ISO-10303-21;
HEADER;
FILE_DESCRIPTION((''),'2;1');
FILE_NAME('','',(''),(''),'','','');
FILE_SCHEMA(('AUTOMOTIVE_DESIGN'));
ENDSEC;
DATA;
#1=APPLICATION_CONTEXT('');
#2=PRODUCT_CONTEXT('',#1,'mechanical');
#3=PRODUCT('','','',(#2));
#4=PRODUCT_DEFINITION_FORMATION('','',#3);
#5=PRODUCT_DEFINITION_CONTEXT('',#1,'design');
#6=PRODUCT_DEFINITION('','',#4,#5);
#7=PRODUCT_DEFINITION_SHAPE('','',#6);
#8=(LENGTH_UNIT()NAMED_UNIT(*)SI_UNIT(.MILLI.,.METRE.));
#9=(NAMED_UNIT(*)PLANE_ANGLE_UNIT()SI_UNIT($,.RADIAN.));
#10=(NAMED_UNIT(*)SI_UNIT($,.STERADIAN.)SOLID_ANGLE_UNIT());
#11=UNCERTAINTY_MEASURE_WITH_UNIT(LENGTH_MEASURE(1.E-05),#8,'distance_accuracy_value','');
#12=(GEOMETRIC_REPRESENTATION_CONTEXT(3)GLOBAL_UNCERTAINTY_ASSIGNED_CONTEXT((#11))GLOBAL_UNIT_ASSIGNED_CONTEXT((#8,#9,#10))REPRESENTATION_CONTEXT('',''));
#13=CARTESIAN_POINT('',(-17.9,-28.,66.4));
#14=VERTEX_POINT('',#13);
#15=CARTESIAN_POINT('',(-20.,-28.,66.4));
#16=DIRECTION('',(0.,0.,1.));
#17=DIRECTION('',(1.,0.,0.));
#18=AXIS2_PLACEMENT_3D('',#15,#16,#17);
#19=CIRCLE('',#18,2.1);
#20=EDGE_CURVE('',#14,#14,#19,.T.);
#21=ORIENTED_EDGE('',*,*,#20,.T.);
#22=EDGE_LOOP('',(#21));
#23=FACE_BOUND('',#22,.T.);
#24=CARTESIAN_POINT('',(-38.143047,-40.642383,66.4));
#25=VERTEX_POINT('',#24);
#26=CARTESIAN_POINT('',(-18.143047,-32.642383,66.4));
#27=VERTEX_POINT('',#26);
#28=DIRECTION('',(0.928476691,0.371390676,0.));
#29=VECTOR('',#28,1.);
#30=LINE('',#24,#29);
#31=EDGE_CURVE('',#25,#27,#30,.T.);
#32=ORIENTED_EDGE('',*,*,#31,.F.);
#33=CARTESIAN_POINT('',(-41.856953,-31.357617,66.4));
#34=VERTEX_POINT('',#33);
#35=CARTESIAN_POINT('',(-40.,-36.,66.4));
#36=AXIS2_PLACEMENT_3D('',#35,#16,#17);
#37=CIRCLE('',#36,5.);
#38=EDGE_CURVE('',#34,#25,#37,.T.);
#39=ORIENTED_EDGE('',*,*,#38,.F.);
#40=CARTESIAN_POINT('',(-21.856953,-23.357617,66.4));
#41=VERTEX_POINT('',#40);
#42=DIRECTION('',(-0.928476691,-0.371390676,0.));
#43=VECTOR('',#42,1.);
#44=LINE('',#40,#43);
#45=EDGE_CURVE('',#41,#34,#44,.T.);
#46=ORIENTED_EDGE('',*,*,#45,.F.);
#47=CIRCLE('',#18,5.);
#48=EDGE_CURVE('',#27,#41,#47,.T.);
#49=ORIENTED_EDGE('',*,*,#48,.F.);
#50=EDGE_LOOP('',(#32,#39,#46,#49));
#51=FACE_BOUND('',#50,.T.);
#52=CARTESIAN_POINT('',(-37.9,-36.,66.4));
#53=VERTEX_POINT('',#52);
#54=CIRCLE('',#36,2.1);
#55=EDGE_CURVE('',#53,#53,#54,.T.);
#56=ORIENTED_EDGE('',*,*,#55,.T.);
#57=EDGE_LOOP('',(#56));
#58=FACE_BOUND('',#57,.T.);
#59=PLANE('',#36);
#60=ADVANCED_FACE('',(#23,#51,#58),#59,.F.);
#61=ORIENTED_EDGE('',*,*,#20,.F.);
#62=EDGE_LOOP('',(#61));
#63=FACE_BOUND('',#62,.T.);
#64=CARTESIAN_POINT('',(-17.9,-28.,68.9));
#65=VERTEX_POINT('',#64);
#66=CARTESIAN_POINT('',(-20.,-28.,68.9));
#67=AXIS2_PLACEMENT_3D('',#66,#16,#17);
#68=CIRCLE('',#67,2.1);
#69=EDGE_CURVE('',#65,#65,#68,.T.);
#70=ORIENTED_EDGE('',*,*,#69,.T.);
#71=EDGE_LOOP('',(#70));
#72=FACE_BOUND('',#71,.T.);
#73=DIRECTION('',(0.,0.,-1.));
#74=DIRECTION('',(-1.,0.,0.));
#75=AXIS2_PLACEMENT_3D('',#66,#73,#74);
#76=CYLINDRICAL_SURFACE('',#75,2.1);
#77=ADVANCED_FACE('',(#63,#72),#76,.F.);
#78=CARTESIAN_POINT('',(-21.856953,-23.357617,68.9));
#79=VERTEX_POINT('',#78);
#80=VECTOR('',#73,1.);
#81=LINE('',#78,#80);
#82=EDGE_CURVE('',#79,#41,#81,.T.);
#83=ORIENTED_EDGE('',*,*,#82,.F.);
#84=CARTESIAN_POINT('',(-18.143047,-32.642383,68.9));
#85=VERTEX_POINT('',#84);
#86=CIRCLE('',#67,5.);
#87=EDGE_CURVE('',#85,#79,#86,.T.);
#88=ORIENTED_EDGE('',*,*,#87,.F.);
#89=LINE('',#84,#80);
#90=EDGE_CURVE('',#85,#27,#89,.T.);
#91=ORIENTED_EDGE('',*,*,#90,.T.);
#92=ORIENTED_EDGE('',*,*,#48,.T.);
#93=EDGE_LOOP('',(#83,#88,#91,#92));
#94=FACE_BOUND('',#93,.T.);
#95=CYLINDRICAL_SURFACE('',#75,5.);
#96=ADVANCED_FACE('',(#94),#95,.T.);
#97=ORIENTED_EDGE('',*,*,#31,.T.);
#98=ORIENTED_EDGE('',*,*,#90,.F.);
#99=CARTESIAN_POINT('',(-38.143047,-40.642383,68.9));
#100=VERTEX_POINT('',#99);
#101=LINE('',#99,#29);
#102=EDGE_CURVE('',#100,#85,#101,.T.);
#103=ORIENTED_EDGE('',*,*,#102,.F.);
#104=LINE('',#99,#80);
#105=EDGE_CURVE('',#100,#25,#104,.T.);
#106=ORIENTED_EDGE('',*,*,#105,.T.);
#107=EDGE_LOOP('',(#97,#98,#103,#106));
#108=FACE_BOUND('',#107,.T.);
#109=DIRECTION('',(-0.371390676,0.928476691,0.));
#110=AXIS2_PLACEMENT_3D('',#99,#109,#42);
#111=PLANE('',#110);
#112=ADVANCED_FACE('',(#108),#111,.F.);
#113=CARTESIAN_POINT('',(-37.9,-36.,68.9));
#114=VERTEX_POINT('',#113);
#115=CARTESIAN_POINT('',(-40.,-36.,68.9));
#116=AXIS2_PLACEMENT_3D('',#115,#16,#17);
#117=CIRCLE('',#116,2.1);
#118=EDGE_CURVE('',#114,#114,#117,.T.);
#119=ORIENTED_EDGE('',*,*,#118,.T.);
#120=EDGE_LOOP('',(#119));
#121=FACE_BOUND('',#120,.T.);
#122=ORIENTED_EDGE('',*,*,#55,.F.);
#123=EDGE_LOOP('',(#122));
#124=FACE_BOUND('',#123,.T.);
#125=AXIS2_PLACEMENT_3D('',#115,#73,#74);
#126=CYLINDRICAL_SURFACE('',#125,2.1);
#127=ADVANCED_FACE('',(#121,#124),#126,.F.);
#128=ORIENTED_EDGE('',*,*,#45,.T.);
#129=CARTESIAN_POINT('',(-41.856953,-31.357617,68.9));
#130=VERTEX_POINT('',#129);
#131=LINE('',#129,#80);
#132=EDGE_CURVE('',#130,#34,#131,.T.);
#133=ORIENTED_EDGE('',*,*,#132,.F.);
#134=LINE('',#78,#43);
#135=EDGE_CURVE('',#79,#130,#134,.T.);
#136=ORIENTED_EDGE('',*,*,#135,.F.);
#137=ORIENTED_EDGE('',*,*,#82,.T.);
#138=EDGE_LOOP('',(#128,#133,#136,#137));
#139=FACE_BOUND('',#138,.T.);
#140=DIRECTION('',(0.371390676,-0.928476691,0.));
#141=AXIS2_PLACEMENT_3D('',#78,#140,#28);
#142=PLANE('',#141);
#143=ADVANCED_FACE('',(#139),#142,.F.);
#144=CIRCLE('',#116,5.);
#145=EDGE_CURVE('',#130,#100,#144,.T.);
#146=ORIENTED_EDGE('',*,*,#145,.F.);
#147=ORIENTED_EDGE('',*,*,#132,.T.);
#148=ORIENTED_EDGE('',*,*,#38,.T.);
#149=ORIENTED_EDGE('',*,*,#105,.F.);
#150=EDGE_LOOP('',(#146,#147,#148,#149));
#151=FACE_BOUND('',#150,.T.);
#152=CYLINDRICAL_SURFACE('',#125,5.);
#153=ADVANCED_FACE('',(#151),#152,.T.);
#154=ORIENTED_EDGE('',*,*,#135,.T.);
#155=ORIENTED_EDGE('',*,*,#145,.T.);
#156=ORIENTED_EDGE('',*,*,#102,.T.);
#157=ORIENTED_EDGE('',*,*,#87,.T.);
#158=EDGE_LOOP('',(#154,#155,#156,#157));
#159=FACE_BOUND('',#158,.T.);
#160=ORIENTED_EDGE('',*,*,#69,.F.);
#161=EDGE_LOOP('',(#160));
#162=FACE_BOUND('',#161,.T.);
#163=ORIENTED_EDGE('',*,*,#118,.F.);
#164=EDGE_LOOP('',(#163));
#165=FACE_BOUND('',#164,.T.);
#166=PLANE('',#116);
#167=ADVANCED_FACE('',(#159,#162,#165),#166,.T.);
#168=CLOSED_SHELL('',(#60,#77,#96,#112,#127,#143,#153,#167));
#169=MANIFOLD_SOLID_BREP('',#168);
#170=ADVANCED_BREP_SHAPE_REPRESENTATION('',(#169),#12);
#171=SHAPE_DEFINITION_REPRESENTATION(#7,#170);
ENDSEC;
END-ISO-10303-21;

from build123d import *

# Parameters (mm, degrees)
SK_BIELA_EXTERIOR_R  = 2.1
BIELA_EXTERIOR_DEPTH = 2.5


with BuildPart() as part:
    # Sk_Biela_exterior → Biela_exterior (new body)
    with BuildSketch(Plane.XY.offset(66.4)):
        with BuildLine():
            Line((-38.143046618, -40.642383454), (-18.143046618, -32.642383454))
            ThreePointArc((-18.143046618, -32.642383454), (-15.357616546, -26.143046618), (-21.856953382, -23.357616546))
            Line((-21.856953382, -23.357616546), (-41.856953382, -31.357616546))
            ThreePointArc((-41.856953382, -31.357616546), (-44.642383454, -37.856953382), (-38.143046618, -40.642383454))
        make_face()
        with Locations((-20, -28)):
            Circle(SK_BIELA_EXTERIOR_R, mode=Mode.SUBTRACT)
        with Locations((-40, -36)):
            Circle(SK_BIELA_EXTERIOR_R, mode=Mode.SUBTRACT)
    extrude(amount=BIELA_EXTERIOR_DEPTH)


solid = part.part
